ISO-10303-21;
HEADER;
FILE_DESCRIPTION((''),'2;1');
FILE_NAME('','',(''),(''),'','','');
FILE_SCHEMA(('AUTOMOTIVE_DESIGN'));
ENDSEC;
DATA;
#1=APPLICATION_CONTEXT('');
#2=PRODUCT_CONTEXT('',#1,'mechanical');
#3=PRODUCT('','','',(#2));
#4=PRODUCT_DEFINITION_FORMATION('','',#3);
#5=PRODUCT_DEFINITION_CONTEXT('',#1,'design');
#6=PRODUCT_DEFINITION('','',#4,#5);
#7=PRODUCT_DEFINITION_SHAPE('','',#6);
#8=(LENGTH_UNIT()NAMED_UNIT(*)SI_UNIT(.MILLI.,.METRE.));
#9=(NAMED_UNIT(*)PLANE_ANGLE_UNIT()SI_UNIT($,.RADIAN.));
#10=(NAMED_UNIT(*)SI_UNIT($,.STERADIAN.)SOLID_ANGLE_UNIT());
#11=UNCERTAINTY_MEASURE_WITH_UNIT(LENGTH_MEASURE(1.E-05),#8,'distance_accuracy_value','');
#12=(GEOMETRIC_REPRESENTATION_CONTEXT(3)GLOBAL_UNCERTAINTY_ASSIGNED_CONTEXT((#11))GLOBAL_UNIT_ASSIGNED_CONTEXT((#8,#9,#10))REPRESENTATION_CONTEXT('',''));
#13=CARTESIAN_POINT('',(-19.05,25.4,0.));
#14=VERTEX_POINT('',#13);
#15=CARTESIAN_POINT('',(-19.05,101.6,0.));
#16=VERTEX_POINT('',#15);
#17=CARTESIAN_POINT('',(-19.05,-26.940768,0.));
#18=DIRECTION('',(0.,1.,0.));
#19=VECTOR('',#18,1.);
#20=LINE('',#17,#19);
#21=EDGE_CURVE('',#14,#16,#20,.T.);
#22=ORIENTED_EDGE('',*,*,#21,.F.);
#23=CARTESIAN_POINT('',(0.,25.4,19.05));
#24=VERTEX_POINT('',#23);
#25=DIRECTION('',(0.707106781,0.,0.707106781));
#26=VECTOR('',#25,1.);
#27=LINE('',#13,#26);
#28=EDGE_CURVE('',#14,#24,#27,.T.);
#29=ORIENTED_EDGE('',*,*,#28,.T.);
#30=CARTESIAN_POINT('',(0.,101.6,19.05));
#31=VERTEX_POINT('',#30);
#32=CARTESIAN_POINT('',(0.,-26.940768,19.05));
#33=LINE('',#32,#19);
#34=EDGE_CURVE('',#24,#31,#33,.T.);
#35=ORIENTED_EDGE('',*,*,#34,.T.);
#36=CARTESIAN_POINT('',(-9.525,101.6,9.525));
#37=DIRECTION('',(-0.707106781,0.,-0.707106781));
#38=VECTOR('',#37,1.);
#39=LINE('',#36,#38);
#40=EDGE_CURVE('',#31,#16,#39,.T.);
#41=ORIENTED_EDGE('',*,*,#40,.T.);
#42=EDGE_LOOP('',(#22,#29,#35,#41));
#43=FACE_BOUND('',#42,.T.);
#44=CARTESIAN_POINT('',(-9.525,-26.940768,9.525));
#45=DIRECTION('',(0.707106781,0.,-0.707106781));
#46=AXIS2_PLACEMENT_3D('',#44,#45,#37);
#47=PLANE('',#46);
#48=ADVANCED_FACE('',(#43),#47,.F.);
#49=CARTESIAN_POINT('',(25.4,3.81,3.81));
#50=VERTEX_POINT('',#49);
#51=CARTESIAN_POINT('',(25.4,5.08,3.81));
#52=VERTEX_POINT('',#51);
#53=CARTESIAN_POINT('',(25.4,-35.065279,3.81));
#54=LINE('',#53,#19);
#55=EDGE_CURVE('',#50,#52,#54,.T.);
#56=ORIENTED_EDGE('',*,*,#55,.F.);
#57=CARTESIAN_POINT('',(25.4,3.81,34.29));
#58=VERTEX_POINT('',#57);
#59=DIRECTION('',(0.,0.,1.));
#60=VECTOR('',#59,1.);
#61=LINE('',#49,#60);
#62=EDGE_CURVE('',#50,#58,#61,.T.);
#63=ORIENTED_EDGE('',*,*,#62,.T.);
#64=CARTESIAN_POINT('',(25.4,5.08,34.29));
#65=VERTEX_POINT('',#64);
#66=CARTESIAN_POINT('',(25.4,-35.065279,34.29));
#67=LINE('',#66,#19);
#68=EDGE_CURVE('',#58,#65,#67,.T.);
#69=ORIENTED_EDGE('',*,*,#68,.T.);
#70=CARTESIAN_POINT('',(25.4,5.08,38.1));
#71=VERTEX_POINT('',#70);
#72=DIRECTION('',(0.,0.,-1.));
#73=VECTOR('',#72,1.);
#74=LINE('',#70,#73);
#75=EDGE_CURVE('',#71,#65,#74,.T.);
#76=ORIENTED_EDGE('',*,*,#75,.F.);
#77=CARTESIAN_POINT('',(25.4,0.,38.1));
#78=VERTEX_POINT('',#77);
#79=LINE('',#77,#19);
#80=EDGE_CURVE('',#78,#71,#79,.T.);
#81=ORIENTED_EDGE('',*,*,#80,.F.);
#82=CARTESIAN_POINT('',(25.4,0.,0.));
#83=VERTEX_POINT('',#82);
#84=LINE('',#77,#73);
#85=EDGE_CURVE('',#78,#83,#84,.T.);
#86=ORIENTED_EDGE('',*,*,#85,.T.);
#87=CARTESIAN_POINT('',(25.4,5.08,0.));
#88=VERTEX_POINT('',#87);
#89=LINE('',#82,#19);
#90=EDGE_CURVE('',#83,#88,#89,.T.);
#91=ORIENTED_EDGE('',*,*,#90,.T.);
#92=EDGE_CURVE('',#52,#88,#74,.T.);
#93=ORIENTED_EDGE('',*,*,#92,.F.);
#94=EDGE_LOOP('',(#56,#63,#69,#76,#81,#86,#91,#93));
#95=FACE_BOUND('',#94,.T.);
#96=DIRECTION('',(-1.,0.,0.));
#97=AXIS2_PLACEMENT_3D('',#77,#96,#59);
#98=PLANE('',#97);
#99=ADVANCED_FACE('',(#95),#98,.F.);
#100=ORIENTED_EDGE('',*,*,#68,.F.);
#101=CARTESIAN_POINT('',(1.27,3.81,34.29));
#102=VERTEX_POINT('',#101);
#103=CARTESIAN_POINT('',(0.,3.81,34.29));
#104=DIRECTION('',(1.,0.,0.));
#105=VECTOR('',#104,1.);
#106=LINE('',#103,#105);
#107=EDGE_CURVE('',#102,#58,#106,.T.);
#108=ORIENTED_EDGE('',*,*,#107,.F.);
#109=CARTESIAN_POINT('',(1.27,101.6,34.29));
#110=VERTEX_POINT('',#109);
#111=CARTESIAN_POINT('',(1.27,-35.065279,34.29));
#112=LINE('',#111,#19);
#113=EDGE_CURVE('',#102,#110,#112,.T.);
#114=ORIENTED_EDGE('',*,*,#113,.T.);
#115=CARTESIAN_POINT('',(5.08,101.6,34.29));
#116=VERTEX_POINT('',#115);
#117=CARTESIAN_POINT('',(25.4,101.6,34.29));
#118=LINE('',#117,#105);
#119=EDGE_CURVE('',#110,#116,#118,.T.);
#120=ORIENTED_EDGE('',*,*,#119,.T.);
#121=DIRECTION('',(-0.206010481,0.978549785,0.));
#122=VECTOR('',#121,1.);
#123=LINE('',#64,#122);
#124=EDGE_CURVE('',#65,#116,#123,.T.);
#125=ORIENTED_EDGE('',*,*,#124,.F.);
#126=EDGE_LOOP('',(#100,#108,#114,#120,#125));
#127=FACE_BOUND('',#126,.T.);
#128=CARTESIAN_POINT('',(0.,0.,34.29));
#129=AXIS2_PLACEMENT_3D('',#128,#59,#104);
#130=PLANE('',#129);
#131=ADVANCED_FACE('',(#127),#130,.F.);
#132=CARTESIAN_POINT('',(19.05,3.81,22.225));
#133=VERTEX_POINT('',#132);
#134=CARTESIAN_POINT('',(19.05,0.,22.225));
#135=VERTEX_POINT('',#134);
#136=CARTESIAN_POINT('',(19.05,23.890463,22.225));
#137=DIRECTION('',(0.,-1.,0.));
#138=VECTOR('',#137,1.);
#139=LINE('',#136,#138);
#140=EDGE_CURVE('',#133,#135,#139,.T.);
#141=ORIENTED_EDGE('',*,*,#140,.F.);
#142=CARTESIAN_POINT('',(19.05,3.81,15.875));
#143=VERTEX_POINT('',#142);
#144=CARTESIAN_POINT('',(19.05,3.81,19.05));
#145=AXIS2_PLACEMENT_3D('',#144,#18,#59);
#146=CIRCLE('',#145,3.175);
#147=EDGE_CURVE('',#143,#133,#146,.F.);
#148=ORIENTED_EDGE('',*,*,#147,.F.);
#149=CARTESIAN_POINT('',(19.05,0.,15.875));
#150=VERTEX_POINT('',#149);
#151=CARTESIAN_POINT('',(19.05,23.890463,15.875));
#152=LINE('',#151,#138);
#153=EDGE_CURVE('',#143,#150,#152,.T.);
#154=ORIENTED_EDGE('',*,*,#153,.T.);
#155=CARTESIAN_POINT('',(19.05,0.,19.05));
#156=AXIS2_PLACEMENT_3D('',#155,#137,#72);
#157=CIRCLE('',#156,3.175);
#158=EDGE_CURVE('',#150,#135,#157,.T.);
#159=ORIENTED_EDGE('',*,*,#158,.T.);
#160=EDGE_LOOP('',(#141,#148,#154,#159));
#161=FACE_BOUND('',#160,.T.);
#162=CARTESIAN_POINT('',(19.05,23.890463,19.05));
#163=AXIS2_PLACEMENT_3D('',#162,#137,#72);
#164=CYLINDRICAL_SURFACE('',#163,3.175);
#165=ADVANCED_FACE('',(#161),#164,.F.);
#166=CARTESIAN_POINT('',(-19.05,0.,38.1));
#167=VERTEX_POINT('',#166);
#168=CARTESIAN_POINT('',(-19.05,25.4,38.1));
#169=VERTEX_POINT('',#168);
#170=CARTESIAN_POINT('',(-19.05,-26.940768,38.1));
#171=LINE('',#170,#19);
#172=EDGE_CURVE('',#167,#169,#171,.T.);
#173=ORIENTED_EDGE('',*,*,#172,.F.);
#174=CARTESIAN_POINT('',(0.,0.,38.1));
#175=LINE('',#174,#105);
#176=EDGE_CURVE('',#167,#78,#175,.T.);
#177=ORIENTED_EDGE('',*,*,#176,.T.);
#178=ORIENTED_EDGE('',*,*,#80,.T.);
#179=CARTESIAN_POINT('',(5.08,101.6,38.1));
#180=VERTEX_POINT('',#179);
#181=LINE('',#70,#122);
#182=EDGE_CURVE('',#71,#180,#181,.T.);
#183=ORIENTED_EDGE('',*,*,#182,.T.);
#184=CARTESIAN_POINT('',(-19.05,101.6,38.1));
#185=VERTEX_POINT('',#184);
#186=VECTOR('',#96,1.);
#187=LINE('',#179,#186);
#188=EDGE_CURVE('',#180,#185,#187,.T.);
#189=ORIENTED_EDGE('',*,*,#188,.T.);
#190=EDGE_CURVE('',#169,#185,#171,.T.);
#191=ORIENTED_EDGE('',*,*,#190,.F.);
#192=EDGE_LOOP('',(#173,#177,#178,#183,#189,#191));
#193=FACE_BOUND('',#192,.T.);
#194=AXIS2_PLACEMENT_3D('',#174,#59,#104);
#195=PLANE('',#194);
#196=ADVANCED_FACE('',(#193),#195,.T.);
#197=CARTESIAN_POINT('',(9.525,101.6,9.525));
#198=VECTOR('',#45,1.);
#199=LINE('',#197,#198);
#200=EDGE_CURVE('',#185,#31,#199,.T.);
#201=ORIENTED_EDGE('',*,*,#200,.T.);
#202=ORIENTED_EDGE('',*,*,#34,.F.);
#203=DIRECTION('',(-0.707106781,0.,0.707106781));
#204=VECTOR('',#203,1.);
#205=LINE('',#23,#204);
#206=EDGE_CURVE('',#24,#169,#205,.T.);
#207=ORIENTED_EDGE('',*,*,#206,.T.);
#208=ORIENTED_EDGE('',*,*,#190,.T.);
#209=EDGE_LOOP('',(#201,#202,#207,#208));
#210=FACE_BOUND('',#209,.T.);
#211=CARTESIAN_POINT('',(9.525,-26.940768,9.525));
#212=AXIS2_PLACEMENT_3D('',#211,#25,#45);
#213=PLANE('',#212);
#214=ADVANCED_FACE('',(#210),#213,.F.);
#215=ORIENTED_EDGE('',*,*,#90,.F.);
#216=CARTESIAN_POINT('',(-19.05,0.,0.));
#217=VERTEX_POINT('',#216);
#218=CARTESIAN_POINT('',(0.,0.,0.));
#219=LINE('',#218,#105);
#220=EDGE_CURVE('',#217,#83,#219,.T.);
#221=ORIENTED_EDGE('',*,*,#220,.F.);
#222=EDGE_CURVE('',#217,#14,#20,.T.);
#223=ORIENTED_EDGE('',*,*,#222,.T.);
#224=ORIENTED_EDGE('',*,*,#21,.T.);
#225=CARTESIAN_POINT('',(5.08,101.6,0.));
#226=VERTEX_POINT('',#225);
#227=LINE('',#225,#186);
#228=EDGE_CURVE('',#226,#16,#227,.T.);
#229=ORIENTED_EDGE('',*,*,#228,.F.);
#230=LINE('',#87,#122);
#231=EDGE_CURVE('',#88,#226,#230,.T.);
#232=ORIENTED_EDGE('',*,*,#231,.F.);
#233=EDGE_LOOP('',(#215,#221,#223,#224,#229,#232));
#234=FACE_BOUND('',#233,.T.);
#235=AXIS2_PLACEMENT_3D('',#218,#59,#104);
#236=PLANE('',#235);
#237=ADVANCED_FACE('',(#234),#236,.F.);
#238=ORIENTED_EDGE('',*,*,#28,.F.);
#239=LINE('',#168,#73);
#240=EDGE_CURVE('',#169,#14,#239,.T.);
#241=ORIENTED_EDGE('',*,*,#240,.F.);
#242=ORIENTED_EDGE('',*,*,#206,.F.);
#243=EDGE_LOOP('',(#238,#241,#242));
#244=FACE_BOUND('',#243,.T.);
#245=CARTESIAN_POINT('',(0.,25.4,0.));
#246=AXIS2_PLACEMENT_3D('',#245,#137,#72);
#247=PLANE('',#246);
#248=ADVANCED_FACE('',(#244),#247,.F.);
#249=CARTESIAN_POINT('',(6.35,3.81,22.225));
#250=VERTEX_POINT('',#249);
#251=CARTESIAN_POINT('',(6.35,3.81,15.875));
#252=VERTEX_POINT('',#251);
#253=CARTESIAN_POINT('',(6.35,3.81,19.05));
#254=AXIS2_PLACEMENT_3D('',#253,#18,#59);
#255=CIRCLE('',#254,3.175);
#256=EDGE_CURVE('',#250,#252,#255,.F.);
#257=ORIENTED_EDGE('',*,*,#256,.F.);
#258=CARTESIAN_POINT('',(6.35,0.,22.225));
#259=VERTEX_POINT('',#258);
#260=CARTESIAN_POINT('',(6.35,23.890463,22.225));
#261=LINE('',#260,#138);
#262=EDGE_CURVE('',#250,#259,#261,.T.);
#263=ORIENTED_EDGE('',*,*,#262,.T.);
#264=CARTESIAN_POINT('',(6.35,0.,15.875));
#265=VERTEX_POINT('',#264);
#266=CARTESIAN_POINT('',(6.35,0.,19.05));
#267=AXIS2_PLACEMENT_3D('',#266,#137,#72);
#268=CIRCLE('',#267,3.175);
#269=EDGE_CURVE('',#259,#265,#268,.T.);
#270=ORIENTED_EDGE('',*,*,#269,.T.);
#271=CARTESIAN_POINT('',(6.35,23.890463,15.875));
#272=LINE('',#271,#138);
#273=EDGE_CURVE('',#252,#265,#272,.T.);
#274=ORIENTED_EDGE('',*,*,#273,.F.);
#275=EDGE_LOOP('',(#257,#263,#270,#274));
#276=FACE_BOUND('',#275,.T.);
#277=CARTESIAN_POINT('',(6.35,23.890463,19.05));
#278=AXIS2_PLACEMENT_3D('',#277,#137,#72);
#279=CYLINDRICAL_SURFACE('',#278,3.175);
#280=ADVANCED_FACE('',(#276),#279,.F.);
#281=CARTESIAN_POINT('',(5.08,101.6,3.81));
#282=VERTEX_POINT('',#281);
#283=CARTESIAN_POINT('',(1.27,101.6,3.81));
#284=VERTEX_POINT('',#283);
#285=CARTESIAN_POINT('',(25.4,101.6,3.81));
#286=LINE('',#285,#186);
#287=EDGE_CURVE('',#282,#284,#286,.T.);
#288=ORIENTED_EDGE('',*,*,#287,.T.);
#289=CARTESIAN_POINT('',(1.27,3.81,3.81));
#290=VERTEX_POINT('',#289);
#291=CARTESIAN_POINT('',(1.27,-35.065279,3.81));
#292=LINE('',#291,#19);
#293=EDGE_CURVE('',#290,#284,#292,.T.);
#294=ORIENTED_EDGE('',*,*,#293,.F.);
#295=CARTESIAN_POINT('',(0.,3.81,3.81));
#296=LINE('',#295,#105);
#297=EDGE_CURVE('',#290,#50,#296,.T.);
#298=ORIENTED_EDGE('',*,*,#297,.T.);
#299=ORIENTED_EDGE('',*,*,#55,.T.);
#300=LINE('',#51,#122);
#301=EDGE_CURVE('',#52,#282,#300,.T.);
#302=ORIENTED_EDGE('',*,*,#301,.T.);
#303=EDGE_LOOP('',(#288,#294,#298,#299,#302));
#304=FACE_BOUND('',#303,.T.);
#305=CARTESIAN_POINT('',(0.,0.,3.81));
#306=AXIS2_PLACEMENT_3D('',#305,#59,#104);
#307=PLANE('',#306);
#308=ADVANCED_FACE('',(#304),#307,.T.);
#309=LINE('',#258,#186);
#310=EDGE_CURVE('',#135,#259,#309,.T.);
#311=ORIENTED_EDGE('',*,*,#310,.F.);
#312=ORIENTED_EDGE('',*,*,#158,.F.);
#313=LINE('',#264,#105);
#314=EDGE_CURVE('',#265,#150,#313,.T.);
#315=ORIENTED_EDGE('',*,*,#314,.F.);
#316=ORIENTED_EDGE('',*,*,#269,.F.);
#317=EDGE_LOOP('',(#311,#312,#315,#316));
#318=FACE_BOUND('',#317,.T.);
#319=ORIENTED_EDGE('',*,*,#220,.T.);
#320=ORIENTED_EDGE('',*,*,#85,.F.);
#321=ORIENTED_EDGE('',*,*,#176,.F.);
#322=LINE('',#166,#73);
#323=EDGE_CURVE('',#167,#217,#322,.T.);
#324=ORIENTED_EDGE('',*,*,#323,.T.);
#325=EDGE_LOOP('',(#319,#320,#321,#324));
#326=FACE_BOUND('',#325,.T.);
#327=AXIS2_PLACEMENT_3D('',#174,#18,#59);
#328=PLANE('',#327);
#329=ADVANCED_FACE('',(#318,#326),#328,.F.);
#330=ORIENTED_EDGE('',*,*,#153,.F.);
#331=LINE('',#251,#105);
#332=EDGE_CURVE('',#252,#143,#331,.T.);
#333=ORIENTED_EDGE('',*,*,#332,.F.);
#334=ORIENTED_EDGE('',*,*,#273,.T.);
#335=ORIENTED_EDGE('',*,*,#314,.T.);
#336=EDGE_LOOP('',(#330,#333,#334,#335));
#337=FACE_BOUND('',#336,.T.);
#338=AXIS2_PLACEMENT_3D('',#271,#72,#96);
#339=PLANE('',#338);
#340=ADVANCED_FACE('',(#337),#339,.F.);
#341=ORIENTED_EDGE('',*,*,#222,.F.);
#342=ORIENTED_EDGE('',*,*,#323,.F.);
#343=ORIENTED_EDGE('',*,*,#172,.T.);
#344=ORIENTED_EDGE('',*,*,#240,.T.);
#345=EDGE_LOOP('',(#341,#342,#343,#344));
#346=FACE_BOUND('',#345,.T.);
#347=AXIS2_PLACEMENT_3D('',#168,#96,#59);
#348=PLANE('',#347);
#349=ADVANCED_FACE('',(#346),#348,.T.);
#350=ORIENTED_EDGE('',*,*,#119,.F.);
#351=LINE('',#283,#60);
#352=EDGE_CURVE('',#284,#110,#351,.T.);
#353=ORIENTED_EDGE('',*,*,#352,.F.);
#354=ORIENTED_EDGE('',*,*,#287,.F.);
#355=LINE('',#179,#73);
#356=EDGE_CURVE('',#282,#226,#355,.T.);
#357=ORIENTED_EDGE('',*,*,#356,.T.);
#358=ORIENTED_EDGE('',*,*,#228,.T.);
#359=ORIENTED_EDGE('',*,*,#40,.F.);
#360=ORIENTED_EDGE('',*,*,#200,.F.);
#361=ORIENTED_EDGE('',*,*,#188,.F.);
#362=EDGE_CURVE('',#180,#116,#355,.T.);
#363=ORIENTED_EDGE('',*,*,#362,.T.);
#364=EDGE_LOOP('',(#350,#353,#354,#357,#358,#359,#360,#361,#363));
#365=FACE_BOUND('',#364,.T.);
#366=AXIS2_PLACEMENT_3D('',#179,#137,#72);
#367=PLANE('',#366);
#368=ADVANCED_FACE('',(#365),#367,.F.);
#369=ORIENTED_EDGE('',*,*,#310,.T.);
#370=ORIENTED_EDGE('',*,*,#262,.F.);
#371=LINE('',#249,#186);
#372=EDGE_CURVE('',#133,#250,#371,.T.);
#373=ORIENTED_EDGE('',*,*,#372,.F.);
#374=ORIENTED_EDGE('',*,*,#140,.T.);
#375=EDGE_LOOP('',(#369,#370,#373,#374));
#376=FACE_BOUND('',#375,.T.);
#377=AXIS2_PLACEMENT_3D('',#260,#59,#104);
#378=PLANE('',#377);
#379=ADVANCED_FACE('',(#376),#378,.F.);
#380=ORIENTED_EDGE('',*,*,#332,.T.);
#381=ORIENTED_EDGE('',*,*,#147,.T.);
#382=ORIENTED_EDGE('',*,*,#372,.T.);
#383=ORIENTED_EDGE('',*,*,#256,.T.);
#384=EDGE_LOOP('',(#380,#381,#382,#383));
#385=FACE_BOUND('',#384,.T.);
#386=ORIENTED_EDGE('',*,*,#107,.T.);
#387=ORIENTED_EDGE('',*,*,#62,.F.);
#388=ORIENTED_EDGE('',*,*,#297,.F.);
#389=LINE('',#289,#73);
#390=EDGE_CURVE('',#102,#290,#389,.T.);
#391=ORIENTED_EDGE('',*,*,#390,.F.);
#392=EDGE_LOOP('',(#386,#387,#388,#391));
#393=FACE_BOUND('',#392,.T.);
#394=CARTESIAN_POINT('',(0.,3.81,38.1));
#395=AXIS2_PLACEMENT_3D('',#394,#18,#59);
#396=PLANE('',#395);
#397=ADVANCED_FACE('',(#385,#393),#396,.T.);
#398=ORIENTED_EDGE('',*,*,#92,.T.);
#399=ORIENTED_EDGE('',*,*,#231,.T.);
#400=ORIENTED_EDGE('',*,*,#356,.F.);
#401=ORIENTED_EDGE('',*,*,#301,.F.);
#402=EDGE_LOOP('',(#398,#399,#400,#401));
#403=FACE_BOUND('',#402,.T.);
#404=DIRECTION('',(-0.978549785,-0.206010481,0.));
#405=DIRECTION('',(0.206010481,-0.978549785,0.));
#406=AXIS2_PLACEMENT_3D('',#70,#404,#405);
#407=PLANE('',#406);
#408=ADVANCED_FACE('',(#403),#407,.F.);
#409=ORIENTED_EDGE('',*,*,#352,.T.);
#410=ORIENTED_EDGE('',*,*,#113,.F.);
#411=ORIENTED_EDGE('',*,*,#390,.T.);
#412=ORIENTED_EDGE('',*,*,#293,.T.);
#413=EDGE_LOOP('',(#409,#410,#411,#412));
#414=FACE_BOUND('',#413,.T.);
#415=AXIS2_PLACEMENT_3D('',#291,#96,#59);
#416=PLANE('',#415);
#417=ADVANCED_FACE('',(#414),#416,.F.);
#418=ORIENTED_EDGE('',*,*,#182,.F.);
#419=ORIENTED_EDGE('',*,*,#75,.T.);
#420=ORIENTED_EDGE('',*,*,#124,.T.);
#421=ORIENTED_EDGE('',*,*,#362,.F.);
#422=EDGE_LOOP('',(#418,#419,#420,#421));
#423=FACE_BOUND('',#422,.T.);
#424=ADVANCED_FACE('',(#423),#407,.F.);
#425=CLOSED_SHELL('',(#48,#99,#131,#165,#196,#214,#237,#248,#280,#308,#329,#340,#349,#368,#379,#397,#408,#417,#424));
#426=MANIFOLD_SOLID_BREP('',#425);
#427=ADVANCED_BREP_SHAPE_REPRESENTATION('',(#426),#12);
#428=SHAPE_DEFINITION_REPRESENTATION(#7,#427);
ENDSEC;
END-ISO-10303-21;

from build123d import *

# Parameters (mm, degrees)
BOSS_EXTRUDE1_DEPTH = 38.1
SHELL1_T            = -3.81
CUT_EXTRUDE1_DEPTH  = 3.81
BOSS_EXTRUDE2_DEPTH = 101.6
SKETCH5_W           = 24.13
SKETCH5_H           = 30.48
CUT_EXTRUDE2_DEPTH  = 97.79
BOSS_EXTRUDE3_DEPTH = 25.4


with BuildPart() as part:
    # Sketch1 → Boss-Extrude1 (new body)
    with BuildSketch(Plane.XY):
        Polygon((0, 0), (25.4, 0), (25.4, 5.08), (5.08, 101.6), (0, 101.6), align=None)
    extrude(amount=BOSS_EXTRUDE1_DEPTH)

    # Shell1
    shell1_openings = [part.faces().sort_by_distance(p)[0] for p in [
        (15.24, 53.34, 19.05),
    ]]
    offset(amount=SHELL1_T, openings=shell1_openings, kind=Kind.INTERSECTION)

    # Sketch2 → Cut-Extrude1 (cut)
    with BuildSketch(Plane.XZ):
        with BuildLine():
            Line((6.35, 22.225), (19.05, 22.225))
            ThreePointArc((19.05, 22.225), (22.225, 19.05), (19.05, 15.875))
            Line((19.05, 15.875), (6.35, 15.875))
            ThreePointArc((6.35, 15.875), (3.175, 19.05), (6.35, 22.225))
        make_face()
    extrude(amount=-CUT_EXTRUDE1_DEPTH, mode=Mode.SUBTRACT)

    # Sketch3 → Boss-Extrude2 (add)
    with BuildSketch(Plane(origin=(0, 101.6, 0), x_dir=(1, 0, 0), z_dir=(0, 1, 0))):
        Polygon((-19.05, 0), (0, -19.05), (0, 0), align=None)
        Polygon((0, -38.1), (0, -19.05), (-19.05, -38.1), align=None)
    extrude(amount=-BOSS_EXTRUDE2_DEPTH)

    # Sketch5 → Cut-Extrude2 (cut)
    with BuildSketch(Plane(origin=(0, 101.6, 0), x_dir=(1, 0, 0), z_dir=(0, 1, 0))):
        with Locations((13.335, -19.05)):
            Rectangle(SKETCH5_W, SKETCH5_H)
    extrude(amount=-CUT_EXTRUDE2_DEPTH, mode=Mode.SUBTRACT)

    # Sketch6 → Boss-Extrude3 (add)
    with BuildSketch(Plane.XZ):
        Polygon((-19.05, 0), (0, 19.05), (-19.05, 38.1), align=None)
    extrude(amount=-BOSS_EXTRUDE3_DEPTH)


solid = part.part
